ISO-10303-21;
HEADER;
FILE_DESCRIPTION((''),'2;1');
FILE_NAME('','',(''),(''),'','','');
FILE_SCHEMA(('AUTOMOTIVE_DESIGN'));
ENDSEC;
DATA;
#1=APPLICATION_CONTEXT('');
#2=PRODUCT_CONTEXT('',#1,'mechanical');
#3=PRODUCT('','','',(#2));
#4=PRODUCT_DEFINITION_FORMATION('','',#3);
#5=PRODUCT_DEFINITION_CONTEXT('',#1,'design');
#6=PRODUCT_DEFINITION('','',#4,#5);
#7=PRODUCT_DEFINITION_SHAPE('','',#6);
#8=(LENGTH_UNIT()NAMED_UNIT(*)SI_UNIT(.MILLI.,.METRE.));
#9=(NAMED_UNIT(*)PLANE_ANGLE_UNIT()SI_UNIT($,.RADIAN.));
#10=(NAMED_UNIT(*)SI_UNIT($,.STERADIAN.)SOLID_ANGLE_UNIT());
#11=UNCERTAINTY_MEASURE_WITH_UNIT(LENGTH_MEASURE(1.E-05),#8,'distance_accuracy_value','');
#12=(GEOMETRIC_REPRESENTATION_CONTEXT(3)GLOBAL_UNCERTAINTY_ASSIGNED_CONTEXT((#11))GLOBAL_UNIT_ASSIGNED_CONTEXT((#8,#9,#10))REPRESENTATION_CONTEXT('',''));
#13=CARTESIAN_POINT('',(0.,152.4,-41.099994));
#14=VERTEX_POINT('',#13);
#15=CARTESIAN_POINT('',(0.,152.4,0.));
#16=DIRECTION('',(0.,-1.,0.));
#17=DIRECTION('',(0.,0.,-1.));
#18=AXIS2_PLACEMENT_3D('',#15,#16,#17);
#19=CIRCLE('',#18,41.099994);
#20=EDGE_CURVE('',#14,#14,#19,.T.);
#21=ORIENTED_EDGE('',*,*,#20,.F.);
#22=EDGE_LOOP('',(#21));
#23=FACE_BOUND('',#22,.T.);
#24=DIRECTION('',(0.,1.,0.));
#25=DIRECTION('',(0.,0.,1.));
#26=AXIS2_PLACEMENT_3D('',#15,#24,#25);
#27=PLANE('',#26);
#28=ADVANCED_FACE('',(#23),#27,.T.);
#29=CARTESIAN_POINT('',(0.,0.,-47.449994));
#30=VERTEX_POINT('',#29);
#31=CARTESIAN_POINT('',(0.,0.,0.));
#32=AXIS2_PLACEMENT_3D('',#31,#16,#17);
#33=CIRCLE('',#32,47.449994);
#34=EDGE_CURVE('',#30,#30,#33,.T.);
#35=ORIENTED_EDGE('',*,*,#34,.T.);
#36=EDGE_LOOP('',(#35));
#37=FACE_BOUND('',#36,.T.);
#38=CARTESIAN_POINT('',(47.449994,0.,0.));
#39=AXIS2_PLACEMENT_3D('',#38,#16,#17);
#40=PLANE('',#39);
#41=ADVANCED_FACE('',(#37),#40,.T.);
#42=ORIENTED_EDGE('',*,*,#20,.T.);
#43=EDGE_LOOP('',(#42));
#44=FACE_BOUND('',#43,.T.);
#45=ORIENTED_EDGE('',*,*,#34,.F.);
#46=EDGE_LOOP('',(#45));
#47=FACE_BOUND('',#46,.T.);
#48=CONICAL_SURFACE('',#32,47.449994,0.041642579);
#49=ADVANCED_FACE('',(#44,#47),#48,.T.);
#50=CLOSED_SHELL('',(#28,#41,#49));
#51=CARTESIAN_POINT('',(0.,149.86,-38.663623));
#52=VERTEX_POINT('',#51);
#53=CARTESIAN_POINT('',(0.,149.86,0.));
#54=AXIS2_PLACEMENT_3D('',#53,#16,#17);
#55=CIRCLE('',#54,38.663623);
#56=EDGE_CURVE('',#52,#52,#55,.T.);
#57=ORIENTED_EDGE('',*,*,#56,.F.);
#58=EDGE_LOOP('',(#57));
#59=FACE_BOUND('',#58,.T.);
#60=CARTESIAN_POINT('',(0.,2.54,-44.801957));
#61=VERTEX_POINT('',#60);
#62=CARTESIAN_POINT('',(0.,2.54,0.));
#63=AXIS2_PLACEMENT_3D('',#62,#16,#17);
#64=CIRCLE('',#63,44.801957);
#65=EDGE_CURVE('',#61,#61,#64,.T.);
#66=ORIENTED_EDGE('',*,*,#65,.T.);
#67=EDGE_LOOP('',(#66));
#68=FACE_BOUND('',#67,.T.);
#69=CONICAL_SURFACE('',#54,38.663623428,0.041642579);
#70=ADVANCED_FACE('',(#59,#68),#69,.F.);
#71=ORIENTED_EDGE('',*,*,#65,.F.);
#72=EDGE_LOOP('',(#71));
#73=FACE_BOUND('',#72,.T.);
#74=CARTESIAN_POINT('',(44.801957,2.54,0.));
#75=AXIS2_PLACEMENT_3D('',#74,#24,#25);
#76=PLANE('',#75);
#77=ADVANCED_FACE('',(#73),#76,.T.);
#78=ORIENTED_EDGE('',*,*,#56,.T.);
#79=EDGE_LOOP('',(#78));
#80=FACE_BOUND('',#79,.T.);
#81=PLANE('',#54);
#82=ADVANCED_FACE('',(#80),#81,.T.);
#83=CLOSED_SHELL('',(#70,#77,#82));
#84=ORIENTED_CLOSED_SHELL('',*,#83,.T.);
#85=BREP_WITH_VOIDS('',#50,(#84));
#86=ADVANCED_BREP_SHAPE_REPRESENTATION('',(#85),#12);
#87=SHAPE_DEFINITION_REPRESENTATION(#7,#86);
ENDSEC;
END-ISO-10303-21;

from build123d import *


with BuildPart() as part:
    # Sketch4 → Revolve1 (revolve)
    with BuildSketch(Plane.XY):
        Polygon((0, 0), (0, 2.54), (44.801956762, 2.54), (38.663623428, 149.86), (0, 149.86), (0, 152.4), (41.099994, 152.4), (47.449994, 0), align=None)
    revolve(axis=Axis((0, -7.62, 0), (0, 1, 0)))


solid = part.part
